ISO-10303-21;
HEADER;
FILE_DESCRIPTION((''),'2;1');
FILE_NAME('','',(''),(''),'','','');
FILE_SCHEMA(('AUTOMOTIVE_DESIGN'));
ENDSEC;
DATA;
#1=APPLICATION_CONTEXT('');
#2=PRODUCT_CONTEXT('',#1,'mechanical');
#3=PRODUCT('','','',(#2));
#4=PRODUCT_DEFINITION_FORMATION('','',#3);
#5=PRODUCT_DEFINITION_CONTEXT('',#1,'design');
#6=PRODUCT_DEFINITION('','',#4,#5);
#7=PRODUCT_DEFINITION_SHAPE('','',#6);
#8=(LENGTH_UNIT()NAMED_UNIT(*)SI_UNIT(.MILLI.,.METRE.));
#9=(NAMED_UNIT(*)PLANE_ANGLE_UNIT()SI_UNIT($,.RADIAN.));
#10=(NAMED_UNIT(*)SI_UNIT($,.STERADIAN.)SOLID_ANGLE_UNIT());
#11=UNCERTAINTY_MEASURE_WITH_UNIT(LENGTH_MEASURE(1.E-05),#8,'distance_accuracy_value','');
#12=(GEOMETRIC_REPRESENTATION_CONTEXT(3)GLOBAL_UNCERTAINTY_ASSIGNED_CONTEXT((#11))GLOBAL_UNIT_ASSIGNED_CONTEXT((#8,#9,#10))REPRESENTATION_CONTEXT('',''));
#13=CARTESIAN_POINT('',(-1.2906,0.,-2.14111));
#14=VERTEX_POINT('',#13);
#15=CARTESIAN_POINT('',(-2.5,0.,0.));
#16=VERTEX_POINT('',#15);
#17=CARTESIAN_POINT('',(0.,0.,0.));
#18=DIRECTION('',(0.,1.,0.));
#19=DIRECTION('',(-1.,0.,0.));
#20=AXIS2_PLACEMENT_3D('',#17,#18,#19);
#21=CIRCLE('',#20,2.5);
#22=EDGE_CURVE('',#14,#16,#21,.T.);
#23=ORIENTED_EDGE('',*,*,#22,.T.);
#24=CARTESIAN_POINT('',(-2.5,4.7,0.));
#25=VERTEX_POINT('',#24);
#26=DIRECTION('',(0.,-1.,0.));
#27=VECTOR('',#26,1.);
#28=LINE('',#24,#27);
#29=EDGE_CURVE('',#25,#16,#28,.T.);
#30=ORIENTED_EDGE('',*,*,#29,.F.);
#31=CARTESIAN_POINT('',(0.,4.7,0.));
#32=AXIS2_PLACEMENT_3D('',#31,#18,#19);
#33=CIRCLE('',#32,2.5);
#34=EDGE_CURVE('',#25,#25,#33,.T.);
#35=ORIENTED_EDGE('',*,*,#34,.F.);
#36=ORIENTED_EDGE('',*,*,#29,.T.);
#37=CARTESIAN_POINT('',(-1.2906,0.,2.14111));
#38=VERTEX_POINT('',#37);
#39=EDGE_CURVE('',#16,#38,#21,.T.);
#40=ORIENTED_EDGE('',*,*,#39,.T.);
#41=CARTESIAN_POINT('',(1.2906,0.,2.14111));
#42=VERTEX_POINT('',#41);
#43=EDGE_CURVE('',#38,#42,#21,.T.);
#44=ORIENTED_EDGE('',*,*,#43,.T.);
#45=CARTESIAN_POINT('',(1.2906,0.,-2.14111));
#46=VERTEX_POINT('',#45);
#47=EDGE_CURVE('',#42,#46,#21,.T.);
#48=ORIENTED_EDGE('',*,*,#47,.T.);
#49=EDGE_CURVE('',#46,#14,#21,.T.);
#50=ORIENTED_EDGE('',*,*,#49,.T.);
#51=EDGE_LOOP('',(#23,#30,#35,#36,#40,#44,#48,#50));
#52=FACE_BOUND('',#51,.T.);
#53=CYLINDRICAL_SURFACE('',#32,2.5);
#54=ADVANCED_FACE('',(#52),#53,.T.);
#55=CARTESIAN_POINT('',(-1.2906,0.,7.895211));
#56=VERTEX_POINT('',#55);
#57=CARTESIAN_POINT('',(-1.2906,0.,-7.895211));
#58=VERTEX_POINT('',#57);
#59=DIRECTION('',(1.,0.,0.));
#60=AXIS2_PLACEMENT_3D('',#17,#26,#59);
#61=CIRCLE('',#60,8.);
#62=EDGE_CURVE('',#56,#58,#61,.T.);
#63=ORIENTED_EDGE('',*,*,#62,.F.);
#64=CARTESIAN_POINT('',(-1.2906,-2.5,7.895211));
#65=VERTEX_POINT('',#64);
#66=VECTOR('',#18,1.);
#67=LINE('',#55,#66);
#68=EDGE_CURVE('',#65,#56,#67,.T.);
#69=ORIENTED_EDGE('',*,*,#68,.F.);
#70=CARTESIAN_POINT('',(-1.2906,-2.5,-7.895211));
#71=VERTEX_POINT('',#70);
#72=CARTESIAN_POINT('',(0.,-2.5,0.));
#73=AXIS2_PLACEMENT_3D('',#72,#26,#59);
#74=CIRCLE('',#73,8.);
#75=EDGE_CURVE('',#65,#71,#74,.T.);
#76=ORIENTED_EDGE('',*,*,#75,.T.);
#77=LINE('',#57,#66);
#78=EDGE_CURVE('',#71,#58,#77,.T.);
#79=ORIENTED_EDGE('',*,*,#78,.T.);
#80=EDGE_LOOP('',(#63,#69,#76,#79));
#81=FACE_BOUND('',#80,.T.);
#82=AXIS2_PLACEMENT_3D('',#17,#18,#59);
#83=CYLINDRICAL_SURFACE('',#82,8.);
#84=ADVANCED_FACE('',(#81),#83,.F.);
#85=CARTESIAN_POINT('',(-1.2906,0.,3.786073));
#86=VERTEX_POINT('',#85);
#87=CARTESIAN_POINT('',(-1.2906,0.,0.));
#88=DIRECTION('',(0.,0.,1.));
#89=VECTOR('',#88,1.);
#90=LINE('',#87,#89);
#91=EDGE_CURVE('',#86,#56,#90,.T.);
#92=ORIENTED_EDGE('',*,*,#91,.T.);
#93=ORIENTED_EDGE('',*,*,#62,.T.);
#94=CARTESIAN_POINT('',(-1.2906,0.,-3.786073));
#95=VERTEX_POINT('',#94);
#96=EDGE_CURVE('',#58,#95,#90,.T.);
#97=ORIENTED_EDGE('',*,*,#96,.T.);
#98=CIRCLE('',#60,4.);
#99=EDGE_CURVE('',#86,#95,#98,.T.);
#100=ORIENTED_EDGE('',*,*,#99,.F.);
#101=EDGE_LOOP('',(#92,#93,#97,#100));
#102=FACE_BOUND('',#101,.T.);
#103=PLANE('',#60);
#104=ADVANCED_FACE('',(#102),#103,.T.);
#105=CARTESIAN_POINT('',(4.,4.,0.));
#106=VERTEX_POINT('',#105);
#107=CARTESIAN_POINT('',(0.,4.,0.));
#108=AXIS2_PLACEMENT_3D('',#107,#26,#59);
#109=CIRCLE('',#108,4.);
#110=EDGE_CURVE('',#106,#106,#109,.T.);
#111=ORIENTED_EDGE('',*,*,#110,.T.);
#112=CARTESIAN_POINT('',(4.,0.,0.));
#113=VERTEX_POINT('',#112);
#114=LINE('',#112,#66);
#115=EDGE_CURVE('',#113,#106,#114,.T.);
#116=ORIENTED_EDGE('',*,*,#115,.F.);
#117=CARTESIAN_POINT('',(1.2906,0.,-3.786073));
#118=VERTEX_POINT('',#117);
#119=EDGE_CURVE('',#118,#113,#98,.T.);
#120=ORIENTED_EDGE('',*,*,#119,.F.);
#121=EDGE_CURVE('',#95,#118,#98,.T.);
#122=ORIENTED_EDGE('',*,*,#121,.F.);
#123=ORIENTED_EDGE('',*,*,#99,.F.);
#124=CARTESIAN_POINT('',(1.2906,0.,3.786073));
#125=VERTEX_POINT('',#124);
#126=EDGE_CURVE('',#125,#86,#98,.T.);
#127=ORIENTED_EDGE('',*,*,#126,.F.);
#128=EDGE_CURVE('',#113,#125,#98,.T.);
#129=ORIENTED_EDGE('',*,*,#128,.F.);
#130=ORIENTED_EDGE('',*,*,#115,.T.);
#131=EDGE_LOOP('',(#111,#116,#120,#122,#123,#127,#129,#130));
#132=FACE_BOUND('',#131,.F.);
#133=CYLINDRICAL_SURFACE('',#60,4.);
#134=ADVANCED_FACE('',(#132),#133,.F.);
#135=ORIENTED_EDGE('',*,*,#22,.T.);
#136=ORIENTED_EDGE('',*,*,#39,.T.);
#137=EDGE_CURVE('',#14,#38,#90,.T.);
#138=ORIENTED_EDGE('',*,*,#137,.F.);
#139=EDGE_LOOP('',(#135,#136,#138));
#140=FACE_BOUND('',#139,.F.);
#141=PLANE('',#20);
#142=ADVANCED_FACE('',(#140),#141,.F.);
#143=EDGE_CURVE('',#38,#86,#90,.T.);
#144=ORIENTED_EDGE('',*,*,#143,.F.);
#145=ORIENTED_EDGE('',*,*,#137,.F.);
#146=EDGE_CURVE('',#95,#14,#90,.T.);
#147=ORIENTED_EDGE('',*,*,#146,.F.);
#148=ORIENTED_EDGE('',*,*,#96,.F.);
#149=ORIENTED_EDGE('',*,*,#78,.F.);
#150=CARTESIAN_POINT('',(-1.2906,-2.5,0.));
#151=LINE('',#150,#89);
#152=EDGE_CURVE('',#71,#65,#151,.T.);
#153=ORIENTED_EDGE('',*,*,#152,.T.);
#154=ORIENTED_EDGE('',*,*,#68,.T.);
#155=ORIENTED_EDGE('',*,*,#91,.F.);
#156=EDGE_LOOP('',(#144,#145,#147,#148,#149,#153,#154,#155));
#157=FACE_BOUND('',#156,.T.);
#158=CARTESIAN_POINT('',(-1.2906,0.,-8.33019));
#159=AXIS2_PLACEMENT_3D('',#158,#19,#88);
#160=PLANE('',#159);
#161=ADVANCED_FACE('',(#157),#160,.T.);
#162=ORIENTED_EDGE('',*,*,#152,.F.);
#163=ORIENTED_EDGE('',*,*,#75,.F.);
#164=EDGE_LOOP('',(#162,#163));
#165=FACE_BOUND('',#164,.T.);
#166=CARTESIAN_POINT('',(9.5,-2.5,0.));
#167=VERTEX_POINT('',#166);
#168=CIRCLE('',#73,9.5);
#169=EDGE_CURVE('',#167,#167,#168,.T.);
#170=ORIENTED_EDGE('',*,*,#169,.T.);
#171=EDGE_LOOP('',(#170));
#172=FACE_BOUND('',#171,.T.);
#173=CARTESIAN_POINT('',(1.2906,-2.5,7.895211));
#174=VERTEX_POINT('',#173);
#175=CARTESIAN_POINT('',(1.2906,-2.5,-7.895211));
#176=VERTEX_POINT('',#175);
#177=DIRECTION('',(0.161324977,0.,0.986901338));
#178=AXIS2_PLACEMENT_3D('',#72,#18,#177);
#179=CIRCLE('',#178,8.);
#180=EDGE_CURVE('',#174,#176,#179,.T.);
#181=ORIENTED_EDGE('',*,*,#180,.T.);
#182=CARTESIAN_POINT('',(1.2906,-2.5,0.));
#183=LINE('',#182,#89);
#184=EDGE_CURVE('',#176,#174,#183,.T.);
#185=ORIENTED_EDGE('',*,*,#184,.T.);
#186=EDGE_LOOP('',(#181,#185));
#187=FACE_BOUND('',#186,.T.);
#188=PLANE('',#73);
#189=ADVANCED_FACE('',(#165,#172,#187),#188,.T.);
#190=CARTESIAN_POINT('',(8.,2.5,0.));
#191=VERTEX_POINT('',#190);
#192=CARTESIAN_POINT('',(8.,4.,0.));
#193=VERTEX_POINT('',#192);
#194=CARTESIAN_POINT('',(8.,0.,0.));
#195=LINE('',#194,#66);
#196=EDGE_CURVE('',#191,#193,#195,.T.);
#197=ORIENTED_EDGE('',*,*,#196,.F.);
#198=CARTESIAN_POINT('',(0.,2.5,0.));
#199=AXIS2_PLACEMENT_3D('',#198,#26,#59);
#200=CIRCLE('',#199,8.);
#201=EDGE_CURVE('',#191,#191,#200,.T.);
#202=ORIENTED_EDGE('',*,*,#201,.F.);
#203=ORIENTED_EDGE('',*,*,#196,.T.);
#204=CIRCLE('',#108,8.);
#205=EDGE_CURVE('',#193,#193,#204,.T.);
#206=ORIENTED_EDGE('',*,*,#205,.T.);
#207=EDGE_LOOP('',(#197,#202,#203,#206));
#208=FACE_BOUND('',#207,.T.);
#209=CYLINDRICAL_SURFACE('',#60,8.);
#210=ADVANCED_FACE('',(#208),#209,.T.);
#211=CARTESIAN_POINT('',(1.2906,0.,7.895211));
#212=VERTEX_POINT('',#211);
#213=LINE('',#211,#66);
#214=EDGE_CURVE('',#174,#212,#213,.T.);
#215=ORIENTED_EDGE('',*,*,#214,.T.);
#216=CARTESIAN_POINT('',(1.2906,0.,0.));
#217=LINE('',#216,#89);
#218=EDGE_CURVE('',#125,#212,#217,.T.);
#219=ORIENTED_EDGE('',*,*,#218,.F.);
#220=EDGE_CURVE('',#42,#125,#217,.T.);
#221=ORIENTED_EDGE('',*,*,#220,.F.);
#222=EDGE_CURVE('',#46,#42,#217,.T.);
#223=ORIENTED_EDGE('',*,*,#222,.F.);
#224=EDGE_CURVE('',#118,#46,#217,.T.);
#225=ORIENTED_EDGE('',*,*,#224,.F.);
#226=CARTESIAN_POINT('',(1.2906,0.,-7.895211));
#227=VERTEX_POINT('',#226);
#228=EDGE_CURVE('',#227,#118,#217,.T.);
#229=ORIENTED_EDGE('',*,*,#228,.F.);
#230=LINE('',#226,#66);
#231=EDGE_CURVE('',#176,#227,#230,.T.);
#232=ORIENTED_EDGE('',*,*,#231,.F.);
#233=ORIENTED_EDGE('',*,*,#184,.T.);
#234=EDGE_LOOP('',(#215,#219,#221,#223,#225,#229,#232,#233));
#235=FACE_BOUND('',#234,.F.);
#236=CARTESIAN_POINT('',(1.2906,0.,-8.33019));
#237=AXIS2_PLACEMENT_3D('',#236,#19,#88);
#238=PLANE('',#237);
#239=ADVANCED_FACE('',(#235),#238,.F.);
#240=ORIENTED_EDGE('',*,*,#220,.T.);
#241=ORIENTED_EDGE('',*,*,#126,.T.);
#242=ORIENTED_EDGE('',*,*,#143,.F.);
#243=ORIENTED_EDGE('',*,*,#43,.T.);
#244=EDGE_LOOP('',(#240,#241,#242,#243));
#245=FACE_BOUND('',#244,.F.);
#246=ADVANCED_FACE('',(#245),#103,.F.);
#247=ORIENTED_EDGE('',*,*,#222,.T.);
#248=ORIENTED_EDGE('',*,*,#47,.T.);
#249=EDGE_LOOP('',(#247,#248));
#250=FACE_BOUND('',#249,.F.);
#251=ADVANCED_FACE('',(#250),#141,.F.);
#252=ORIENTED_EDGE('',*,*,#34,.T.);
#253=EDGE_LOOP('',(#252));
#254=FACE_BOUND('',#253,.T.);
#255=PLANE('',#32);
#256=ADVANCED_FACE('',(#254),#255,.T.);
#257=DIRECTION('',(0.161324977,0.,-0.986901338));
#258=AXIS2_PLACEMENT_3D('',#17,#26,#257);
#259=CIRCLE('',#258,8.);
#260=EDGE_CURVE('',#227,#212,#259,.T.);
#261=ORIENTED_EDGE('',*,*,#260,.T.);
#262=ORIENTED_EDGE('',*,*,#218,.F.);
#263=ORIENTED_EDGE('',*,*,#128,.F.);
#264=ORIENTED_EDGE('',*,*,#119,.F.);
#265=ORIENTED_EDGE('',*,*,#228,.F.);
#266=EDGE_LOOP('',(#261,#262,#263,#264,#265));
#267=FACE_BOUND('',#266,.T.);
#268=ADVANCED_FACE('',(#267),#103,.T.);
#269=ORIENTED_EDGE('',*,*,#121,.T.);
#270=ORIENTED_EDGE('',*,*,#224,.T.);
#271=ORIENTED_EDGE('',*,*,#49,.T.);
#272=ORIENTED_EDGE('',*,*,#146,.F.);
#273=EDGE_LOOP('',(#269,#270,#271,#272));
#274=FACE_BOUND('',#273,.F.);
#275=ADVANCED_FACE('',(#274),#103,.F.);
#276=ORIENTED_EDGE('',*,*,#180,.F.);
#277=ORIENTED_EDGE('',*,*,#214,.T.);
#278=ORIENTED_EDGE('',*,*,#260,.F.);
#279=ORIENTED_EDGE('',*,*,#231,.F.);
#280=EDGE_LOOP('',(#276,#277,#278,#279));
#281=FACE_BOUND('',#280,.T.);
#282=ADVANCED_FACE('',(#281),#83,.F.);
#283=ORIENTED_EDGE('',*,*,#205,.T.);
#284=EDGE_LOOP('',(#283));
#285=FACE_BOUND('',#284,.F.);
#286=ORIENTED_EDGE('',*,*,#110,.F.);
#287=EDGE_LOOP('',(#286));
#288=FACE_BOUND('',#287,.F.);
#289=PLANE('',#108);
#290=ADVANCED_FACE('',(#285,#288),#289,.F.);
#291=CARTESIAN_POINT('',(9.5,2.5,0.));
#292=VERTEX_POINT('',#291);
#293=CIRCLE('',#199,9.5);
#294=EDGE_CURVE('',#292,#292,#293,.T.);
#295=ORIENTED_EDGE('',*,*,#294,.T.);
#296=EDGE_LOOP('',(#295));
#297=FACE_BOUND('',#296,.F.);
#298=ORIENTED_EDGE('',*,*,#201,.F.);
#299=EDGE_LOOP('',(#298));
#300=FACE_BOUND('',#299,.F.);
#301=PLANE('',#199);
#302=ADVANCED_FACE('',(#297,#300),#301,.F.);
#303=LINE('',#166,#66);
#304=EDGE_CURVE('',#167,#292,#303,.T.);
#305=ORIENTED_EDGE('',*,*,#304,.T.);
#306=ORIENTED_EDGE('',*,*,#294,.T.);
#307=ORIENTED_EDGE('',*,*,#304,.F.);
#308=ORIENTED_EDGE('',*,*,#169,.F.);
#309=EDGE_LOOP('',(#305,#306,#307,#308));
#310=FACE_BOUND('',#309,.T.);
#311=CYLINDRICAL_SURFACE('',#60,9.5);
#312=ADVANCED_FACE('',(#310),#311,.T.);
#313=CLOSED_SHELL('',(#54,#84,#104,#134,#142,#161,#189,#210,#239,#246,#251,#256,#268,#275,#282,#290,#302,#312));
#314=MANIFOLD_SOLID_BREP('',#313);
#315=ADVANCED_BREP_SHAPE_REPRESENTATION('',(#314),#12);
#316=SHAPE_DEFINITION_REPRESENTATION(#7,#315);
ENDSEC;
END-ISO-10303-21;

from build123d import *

# Parameters (mm, degrees)
F0_R        = 9.5
F0_R_2      = 8
F1_DEPTH    = 2.5
F2_W        = 2.5811996311
F2_H        = 16.6603792459
F1_FACE_R   = 9.5
F1_FACE_R_2 = 8
F3_DEPTH    = 2.5
F0_R_3      = 4
F4_DEPTH    = 4
F7_START    = -20.3
F6_R        = 2.5
F7_DEPTH    = 4.7


with BuildPart() as f1:
    # F0 (on Front) → F1 (new body, symmetric)
    with BuildSketch(Plane.XZ):
        Circle(F0_R)
        Circle(F0_R_2, mode=Mode.SUBTRACT)
    extrude(amount=F1_DEPTH, both=True)

    # F2 (on Front) + F1_face (on face) → F3 (join)
    with BuildSketch(Plane.XZ):
        Rectangle(F2_W, F2_H)
    with BuildSketch(Plane(origin=(0, 2.5, 0), x_dir=(1, 0, 0), z_dir=(0, 1, 0))):
        Circle(F1_FACE_R)
        Circle(F1_FACE_R_2, mode=Mode.SUBTRACT)
    extrude(amount=F3_DEPTH, dir=(0, -1, 0))

    # F0 (on Front) → F4 (join)
    with BuildSketch(Plane.XZ):
        Circle(F0_R_2)
        Circle(F0_R_3, mode=Mode.SUBTRACT)
    extrude(amount=-F4_DEPTH)

    # F6 (on offset) → F7 (join)
    with BuildSketch(Plane(origin=(0, 25, 0), x_dir=(-1, 0, 0), z_dir=(0, 1, 0)).offset(F7_START)):
        Circle(F6_R)
    extrude(amount=-F7_DEPTH)


solid = f1.part
